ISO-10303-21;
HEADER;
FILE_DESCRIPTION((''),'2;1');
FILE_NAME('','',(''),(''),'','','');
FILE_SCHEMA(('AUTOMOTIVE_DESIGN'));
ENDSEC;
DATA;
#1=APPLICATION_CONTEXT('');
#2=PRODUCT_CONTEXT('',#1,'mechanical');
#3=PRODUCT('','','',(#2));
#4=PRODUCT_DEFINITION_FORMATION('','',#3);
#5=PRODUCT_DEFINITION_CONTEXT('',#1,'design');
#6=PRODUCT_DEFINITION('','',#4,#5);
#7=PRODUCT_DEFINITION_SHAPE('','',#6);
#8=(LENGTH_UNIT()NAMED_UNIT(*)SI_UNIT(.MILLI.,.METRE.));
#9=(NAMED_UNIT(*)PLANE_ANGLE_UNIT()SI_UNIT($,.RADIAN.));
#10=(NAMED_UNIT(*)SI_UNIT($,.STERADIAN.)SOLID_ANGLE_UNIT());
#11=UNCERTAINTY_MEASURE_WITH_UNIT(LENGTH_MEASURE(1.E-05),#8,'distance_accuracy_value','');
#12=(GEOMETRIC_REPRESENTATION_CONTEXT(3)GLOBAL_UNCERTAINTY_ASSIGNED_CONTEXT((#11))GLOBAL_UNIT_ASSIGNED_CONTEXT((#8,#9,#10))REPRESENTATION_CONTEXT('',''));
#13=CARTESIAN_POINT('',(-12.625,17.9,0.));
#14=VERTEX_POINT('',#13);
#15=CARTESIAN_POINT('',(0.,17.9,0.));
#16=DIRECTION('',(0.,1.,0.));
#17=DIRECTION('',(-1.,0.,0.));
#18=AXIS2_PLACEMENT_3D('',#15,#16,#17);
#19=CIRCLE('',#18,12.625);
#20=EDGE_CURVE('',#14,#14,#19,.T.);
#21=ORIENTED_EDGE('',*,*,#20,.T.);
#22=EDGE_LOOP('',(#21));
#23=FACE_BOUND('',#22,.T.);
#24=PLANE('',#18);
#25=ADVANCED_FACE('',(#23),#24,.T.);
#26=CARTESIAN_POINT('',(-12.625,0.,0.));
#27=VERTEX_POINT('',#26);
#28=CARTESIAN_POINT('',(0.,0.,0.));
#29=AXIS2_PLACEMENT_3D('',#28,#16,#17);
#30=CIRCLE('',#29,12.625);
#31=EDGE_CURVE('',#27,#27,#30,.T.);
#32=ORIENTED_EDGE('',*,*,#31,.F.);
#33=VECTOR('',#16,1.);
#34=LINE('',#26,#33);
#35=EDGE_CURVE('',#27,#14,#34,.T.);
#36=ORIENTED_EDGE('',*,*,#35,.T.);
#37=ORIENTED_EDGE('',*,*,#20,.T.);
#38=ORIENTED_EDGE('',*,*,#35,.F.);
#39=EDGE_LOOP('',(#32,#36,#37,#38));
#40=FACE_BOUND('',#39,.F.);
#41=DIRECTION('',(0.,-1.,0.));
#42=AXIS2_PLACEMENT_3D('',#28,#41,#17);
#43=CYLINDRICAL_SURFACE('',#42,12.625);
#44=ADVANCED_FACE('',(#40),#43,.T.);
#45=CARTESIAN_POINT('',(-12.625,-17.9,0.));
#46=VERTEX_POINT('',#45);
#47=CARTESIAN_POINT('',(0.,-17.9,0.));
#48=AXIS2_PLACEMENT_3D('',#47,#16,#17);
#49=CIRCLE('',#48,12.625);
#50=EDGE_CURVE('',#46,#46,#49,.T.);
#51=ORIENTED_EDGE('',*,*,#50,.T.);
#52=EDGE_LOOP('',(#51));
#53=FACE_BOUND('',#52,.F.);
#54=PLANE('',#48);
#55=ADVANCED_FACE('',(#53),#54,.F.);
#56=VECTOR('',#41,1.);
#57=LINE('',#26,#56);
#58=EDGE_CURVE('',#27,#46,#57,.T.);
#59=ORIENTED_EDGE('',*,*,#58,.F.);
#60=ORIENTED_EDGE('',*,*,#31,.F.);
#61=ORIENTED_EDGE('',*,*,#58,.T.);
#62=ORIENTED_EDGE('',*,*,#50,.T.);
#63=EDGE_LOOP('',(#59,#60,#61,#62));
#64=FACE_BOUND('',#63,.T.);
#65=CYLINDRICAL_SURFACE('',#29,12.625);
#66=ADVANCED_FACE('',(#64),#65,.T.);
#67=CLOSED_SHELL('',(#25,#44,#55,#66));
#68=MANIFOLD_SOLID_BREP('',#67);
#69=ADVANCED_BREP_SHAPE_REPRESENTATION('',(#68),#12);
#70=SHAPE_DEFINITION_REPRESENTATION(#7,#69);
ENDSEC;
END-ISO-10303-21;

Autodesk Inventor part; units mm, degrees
ref_plane "YZ Plane" through (0, 0, 0) normal (1, 0, 0) x (0, 1, 0)
ref_plane "XZ Plane" through (0, 0, 0) normal (0, 1, 0) x (-1, 0, 0)
ref_plane "XY Plane" through (0, 0, 0) normal (0, 0, 1) x (1, 0, 0)
sketch "Sketch1" plane through (0, 0, 0) normal (0, 1, 0) x (-1, 0, 0)
  circle A0 centre (0, 0) radius 12.625
  dimension "d0" = 25.25
extrude "Extrusion1" add sketch "Sketch1" along normal mid plane 35.8
properties part number "Frontier_All" material "Paper"
